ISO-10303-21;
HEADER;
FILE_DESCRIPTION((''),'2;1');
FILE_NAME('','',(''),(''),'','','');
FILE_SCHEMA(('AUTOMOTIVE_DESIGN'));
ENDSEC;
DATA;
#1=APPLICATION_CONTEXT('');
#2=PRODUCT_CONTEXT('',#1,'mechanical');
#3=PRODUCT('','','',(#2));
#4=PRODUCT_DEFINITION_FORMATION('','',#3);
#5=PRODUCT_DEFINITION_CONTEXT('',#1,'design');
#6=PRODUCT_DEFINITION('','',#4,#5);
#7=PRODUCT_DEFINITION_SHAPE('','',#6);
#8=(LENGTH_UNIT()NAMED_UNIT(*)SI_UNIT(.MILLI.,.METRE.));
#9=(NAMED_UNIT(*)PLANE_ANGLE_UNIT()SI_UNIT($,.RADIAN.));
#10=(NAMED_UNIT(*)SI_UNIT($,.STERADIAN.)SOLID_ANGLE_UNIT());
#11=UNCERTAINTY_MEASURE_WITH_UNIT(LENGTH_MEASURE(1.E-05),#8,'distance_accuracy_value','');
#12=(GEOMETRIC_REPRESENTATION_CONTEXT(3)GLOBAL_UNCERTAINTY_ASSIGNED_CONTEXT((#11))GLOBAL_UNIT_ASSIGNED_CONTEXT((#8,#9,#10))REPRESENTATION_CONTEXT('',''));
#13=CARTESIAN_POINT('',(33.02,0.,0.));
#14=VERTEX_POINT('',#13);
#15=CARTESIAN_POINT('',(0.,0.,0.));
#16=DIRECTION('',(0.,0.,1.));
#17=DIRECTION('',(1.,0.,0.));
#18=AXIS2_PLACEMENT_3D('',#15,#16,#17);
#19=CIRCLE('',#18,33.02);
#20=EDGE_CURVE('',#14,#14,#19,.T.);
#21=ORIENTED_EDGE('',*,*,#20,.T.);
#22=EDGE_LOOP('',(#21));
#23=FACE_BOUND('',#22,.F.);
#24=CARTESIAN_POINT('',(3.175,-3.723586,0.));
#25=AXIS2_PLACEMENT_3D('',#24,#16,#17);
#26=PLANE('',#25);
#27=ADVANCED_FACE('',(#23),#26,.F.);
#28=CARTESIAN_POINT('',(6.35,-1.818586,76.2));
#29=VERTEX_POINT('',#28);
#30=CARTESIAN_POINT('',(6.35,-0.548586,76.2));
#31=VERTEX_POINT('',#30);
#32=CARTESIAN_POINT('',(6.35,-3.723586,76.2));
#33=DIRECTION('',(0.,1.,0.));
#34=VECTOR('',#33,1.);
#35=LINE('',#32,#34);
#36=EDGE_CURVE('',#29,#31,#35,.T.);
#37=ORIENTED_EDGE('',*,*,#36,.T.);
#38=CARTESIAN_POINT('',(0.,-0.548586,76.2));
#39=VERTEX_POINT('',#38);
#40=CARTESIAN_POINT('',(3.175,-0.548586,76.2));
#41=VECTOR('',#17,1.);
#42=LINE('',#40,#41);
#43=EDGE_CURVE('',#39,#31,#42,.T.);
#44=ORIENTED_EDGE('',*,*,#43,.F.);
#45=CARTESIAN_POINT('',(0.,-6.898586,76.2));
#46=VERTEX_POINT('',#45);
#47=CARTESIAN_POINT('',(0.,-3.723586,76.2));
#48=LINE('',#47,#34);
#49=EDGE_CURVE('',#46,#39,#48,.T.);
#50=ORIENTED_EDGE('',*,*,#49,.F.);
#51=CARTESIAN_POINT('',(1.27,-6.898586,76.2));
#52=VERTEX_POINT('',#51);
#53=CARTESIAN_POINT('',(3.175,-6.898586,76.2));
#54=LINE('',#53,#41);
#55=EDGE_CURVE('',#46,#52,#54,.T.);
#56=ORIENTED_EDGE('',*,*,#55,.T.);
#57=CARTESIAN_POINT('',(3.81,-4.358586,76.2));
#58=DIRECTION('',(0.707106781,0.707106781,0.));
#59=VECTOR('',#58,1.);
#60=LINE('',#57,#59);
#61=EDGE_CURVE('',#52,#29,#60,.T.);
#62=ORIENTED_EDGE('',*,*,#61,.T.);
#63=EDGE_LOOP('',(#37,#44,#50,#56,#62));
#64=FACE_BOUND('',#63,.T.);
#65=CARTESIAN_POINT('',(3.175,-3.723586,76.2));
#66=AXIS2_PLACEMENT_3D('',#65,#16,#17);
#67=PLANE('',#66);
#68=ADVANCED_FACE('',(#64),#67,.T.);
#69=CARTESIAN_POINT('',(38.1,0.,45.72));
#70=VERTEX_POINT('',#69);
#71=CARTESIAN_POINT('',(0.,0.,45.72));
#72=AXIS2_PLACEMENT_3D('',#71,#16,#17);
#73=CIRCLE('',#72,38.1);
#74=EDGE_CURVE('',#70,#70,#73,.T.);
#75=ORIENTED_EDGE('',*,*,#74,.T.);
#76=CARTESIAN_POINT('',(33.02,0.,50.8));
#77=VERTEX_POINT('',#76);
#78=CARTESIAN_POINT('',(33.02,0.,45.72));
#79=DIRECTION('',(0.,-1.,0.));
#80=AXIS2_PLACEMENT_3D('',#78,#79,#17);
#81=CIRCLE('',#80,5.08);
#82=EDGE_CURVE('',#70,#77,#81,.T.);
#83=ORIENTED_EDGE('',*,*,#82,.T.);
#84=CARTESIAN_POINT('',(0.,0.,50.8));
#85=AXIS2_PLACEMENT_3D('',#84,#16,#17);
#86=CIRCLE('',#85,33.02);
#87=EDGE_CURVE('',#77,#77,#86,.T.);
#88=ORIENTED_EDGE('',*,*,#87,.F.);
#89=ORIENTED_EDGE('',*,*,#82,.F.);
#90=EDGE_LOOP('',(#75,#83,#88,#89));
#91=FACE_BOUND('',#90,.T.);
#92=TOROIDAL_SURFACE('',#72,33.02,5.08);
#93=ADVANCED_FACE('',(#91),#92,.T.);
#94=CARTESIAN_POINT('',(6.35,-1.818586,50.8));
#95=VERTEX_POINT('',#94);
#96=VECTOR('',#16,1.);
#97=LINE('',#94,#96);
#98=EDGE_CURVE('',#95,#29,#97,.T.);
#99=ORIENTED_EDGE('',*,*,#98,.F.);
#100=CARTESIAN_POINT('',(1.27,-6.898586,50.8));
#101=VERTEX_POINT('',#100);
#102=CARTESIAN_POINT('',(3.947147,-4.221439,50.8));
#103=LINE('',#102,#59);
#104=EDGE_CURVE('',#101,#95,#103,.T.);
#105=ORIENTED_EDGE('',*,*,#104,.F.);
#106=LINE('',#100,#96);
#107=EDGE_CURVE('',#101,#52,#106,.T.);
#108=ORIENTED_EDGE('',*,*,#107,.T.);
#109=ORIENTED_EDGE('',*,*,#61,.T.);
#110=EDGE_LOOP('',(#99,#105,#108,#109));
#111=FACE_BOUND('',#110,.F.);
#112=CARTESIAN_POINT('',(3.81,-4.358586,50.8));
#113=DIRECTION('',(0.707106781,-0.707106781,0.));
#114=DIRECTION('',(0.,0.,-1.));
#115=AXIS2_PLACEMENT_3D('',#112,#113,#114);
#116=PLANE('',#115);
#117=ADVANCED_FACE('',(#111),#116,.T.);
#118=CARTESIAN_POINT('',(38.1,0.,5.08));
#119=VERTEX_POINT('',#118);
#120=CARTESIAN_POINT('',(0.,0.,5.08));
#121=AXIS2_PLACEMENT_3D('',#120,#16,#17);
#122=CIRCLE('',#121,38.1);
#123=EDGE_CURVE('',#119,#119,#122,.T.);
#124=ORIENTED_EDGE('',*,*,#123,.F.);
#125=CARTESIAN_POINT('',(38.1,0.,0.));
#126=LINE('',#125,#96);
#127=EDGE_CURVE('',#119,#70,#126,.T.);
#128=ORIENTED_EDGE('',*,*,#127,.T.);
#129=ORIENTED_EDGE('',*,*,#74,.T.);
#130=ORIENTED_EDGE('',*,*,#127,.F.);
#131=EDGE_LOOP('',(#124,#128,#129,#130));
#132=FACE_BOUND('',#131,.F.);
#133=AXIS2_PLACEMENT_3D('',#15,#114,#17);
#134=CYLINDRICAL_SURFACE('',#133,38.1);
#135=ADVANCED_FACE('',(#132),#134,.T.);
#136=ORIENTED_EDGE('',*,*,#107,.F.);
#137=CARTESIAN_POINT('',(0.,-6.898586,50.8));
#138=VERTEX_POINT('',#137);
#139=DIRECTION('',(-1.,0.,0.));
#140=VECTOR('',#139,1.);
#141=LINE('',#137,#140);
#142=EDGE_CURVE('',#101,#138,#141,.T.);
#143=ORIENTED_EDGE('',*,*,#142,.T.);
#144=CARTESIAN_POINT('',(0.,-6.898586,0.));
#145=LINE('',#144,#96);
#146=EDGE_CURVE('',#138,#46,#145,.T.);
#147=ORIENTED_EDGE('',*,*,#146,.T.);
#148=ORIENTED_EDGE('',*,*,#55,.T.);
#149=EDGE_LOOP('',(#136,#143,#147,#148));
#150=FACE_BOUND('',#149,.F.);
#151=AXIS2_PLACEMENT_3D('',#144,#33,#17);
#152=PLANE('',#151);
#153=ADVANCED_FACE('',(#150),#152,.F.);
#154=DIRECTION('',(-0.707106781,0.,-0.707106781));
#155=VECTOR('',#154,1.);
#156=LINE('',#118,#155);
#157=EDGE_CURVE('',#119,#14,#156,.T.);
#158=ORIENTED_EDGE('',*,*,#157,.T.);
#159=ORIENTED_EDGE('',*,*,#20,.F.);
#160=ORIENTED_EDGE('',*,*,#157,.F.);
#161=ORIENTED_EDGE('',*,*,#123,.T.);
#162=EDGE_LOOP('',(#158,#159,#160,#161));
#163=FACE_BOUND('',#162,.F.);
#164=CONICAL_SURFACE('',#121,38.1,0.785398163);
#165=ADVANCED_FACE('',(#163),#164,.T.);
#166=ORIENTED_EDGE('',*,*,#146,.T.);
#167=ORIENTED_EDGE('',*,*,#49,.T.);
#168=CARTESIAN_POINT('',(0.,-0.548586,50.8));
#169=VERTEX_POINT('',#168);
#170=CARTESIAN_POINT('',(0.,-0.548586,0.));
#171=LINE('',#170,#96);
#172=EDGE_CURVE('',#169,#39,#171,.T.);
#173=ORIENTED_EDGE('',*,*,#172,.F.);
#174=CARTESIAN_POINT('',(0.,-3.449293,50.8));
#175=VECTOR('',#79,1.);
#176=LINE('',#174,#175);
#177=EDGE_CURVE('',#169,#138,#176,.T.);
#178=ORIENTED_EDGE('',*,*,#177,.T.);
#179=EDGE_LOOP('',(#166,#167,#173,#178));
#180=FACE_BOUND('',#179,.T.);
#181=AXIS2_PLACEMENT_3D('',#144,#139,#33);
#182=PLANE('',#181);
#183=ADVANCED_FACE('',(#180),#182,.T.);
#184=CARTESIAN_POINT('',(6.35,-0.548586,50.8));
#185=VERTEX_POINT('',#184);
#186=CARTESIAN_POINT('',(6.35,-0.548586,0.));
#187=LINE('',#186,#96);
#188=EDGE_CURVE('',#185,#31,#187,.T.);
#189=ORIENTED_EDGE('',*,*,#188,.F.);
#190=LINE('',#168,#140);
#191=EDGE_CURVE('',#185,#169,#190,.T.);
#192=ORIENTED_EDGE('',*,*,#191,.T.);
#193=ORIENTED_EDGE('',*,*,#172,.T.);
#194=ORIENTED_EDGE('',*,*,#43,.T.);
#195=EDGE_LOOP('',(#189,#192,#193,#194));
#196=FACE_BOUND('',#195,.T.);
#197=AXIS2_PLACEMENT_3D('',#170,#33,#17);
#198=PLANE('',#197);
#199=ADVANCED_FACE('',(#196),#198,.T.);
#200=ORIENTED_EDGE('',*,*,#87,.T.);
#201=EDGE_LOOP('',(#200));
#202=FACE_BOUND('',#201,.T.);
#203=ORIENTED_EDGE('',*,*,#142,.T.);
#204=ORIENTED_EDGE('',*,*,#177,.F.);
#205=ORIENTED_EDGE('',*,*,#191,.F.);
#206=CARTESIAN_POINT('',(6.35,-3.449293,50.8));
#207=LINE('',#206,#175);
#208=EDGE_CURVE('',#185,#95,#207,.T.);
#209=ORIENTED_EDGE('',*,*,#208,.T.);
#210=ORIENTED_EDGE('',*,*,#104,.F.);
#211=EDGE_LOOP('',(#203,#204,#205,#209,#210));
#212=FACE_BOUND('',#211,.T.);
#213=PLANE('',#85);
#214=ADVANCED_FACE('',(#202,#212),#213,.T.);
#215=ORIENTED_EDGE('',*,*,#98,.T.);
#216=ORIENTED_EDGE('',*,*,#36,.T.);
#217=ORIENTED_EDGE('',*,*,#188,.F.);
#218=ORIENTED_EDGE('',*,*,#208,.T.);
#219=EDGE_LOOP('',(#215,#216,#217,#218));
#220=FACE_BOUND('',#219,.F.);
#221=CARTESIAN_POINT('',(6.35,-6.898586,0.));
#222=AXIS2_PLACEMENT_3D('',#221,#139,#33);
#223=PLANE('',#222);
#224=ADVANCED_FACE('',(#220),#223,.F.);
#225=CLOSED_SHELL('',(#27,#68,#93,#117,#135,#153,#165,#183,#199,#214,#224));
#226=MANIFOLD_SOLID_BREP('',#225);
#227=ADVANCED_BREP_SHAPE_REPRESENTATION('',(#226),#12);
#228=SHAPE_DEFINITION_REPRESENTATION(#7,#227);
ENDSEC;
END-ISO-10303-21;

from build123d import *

# Parameters (mm, degrees)
F0_R     = 38.1
F1_DEPTH = 50.8
F2_W     = 6.35
F2_H     = 6.35
F3_DEPTH = 76.2
F4_R     = 5.08
F5_SIZE  = 5.08


with BuildPart() as f1:
    # F0 (on Top) → F1 (new body)
    with BuildSketch(Plane.XY):
        Circle(F0_R)
    extrude(amount=F1_DEPTH)

    # F2 (on Top) → F3 (join)
    with BuildSketch(Plane.XY):
        with Locations((3.175, -3.723586)):
            Rectangle(F2_W, F2_H)
    extrude(amount=F3_DEPTH)

    # F4
    f4_edges = [f1.edges().sort_by_distance(p)[0] for p in [
        (-38.1, 0, 50.8),
    ]]
    fillet(f4_edges, radius=F4_R)

    # F5
    f5_edges = [f1.edges().sort_by_distance(p)[0] for p in [
        (6.35, -6.898586, 63.5),
        (-38.1, 0, 0),
    ]]
    chamfer(f5_edges, length=F5_SIZE)


solid = f1.part
